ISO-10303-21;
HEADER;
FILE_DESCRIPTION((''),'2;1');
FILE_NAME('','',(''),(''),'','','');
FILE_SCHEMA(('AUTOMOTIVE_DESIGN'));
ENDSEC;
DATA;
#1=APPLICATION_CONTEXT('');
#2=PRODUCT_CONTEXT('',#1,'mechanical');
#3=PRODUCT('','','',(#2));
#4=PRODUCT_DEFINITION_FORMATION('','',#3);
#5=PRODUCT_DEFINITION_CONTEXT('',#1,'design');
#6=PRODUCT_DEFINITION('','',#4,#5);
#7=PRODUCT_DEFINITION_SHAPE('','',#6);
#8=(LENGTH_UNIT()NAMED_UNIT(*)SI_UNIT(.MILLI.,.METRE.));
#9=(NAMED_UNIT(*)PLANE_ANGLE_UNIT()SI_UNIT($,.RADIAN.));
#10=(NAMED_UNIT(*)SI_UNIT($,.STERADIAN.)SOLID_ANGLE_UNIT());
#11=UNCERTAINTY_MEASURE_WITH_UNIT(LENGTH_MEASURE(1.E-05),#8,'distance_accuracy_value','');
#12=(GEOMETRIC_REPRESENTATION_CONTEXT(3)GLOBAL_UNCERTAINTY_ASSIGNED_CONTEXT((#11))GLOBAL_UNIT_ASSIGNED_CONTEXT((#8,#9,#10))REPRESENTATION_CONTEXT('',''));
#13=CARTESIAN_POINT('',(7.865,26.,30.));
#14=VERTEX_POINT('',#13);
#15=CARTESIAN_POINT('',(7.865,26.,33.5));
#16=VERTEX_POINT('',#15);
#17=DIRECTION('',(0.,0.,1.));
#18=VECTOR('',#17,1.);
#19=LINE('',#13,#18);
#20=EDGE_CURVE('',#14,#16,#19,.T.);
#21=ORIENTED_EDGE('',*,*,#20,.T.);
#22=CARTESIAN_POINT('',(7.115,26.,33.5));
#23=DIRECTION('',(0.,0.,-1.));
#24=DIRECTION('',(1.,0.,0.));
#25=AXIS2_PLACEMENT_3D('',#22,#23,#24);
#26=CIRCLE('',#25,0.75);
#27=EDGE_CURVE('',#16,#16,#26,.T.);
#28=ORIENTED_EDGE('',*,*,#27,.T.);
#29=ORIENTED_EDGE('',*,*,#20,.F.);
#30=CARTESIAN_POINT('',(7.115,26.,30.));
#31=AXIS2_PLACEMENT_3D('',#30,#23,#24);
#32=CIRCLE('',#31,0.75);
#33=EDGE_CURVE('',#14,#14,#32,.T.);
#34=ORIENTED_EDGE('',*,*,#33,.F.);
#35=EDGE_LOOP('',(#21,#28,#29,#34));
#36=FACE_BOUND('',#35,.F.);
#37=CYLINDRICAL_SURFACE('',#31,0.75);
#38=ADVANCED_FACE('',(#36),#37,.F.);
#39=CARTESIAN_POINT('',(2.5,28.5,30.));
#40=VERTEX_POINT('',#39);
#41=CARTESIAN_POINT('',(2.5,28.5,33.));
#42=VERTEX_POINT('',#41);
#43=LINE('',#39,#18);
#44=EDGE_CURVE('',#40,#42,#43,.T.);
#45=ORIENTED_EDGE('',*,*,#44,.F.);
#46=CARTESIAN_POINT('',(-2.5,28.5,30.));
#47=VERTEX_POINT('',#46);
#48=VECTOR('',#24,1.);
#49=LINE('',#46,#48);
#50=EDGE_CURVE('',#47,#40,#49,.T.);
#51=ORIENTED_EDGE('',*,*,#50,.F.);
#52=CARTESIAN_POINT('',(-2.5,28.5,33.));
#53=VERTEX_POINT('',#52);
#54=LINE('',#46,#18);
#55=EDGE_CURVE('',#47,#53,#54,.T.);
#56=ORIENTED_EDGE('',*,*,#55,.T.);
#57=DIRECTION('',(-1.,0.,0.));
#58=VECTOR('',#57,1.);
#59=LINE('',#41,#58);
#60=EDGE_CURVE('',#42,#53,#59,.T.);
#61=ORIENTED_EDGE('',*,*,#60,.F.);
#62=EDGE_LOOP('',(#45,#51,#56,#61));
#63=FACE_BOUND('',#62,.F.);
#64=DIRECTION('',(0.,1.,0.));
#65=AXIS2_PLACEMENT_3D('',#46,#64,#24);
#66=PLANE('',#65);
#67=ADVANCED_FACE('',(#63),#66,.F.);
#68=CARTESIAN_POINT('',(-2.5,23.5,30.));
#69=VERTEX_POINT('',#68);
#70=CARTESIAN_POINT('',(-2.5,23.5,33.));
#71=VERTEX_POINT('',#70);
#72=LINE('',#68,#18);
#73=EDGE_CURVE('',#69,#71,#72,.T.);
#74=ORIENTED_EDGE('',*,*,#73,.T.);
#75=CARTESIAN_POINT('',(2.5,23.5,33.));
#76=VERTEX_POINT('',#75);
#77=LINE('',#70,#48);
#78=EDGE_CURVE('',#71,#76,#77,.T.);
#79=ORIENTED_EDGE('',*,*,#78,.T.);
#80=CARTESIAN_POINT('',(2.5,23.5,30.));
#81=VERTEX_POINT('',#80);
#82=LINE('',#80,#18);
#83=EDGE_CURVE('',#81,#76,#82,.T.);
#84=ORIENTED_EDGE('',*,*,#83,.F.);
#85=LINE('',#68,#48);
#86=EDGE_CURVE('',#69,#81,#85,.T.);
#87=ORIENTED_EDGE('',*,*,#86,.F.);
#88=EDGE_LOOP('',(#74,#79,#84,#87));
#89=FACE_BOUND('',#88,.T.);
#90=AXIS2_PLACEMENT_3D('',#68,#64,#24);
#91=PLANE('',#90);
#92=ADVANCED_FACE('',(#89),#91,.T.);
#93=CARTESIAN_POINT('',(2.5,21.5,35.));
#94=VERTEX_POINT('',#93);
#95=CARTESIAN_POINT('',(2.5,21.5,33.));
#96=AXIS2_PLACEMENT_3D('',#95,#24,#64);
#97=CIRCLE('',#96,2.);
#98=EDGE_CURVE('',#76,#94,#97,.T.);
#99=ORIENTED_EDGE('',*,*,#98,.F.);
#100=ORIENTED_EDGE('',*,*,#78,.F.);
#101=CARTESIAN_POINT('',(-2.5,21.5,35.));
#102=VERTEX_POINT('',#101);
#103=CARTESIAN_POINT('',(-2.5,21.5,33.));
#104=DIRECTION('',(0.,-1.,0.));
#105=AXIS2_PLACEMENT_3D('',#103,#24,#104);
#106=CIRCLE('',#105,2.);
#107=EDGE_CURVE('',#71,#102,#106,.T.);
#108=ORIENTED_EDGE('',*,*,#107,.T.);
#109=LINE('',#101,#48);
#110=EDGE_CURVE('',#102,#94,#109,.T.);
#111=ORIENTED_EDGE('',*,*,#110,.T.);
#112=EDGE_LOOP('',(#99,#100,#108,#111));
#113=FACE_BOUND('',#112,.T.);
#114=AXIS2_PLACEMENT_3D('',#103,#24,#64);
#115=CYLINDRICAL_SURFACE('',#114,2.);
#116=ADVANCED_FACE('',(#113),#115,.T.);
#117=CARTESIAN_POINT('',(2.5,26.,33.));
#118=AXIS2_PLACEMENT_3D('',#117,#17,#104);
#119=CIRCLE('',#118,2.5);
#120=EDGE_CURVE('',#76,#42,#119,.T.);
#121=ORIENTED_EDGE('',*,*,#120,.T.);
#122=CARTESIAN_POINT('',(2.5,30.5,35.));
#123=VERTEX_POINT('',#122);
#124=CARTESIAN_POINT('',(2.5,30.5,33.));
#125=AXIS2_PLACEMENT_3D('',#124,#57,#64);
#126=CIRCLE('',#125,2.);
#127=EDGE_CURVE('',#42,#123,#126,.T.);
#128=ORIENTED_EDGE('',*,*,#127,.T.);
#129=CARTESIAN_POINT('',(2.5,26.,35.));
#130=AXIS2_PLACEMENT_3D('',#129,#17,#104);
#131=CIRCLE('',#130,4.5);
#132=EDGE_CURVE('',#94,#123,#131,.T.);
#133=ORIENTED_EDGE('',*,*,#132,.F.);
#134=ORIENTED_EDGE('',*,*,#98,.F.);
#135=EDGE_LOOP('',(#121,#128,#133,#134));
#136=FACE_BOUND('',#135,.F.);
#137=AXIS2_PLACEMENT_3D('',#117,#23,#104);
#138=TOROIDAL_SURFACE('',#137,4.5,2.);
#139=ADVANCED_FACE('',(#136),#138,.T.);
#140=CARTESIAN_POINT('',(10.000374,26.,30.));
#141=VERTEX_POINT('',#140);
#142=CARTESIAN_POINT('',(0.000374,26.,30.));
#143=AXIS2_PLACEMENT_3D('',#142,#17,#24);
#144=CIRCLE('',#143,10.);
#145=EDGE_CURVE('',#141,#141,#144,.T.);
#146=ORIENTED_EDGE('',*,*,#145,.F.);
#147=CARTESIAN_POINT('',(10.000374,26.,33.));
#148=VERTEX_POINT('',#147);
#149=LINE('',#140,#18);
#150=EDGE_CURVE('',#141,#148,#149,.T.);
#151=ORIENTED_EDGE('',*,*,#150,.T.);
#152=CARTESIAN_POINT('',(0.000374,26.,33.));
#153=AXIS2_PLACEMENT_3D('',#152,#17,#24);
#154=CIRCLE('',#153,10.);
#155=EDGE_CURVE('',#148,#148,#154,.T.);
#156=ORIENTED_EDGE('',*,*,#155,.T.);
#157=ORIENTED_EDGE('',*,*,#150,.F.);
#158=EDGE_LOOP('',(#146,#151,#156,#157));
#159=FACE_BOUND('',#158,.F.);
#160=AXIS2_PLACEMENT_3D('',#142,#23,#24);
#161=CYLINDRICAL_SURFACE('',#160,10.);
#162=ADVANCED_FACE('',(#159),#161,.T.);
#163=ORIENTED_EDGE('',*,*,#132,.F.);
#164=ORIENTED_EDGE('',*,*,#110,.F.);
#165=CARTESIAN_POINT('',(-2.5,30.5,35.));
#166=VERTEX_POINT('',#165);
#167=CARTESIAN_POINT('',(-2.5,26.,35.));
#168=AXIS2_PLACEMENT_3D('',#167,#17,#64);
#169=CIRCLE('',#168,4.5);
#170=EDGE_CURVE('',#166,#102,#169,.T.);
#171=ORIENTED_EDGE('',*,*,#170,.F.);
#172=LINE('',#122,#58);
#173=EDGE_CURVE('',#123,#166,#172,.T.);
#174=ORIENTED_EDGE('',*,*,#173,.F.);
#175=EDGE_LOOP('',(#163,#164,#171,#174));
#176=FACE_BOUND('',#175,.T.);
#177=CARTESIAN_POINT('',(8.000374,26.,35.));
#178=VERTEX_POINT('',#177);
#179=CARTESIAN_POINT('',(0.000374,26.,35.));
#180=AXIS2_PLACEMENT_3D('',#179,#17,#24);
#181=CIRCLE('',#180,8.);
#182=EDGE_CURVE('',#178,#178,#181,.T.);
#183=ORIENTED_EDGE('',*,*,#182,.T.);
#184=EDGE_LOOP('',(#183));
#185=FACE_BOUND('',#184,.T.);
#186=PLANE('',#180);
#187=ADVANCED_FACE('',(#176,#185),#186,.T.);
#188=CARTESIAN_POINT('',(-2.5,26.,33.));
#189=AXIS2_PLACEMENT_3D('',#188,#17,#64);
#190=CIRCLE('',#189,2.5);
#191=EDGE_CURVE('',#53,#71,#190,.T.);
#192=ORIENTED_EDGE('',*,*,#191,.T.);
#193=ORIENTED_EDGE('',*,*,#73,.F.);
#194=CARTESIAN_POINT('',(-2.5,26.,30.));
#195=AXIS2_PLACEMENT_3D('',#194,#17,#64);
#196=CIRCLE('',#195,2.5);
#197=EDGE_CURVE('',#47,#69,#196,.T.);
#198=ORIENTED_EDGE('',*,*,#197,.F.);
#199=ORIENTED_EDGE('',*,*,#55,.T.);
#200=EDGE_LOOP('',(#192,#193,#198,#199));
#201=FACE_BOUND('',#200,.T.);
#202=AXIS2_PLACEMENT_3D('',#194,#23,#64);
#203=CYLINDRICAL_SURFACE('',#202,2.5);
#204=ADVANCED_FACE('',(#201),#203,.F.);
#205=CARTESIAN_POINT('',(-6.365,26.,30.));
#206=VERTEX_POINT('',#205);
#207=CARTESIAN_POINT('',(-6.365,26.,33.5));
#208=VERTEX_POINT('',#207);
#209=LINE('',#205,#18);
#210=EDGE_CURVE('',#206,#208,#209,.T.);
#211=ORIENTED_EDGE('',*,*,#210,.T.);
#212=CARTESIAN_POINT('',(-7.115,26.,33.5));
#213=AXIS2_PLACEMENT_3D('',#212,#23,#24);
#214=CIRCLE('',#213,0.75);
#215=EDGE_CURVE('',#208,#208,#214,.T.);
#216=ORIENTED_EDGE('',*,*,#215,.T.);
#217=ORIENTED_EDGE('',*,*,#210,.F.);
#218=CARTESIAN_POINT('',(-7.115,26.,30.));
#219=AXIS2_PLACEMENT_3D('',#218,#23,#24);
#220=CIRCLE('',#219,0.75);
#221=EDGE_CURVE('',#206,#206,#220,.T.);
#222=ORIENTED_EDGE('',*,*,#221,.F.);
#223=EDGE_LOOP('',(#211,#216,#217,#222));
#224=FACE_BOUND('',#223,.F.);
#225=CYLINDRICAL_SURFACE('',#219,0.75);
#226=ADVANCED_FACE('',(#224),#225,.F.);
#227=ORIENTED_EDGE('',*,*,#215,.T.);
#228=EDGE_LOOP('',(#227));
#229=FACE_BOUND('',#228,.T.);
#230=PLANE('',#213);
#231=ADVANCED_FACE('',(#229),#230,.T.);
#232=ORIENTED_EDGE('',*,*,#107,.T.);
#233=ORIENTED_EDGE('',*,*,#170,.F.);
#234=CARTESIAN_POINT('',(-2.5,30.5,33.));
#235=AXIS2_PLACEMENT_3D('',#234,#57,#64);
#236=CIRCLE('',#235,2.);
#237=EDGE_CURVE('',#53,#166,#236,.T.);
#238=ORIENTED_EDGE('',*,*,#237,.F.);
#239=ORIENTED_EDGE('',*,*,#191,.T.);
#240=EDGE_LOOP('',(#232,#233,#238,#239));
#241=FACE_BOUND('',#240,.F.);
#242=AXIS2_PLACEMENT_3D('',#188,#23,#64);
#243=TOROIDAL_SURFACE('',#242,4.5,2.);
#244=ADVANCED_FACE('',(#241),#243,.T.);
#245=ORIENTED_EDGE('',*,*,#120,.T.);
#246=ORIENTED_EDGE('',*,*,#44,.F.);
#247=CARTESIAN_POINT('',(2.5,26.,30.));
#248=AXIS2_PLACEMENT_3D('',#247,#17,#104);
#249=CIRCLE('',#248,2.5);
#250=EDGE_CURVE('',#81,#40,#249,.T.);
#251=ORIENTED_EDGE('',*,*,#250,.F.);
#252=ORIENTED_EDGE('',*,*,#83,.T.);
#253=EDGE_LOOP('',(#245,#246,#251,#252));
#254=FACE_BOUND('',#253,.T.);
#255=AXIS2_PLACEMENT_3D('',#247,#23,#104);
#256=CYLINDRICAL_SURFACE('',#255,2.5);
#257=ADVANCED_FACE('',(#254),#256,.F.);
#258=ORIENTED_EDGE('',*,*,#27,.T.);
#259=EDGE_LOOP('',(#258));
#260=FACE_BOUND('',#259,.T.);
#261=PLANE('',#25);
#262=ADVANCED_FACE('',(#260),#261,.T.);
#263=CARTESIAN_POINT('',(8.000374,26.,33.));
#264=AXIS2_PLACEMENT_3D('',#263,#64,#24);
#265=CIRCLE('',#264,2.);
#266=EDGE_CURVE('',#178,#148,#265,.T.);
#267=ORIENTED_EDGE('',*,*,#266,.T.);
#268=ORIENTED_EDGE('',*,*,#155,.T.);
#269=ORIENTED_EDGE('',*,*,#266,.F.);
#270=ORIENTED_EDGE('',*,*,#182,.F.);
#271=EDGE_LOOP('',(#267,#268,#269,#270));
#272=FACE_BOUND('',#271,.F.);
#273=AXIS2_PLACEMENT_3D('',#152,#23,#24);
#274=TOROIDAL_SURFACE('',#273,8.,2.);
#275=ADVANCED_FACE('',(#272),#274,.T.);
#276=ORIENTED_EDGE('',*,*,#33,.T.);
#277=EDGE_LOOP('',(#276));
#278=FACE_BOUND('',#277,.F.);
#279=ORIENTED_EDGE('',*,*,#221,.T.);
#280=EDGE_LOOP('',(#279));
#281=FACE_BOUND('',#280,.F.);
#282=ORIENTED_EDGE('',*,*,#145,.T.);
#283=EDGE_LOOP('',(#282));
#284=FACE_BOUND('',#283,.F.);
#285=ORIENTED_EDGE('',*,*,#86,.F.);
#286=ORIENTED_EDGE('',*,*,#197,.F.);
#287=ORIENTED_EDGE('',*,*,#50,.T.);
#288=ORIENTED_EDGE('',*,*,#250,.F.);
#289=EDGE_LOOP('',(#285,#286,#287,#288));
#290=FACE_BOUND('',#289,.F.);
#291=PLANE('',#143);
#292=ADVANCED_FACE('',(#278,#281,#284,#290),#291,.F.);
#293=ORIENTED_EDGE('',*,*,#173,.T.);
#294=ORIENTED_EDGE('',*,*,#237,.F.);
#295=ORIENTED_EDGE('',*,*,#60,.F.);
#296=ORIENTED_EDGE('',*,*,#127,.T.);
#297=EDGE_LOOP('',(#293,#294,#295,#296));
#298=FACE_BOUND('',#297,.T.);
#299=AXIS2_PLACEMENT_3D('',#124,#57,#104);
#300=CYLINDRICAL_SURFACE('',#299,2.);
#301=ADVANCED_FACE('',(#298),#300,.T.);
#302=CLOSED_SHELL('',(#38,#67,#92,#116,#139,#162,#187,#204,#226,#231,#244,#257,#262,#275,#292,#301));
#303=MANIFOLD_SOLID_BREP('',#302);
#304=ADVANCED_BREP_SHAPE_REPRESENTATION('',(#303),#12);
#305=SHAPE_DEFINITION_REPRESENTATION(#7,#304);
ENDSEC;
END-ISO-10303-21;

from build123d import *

# Parameters (mm, degrees)
SKETCH011_R     = 10
PAD005_DEPTH    = 5
FILLET_R        = 2
FILLET001_R     = 2
SKETCH012_R     = 0.75
POCKET006_DEPTH = 3.5


with BuildPart() as part:
    # Sketch011 (on Face1 of CopyPocket005) → Pad005 (new body)
    with BuildSketch(Plane.XY.offset(30)):
        with Locations((0.000374, 26)):
            Circle(SKETCH011_R)
        with BuildLine():
            ThreePointArc((-2.5, 28.5), (-5, 26), (-2.5, 23.5))
            Line((-2.5, 23.5), (2.5, 23.5))
            ThreePointArc((2.5, 23.5), (5, 26), (2.5, 28.5))
            Line((-2.5, 28.5), (2.5, 28.5))
        make_face(mode=Mode.SUBTRACT)
    extrude(amount=PAD005_DEPTH)

    # Fillet
    fillet_edges = [part.edges().sort_by_distance(p)[0] for p in [
        (-5, 26, 35),
    ]]
    fillet(fillet_edges, radius=FILLET_R)

    # Fillet001
    fillet001_edges = [part.edges().sort_by_distance(p)[0] for p in [
        (-9.999626, 26, 35),
    ]]
    fillet(fillet001_edges, radius=FILLET001_R)

    # Sketch012 (on Face12 of Fillet001) → Pocket006 (cut)
    with BuildSketch(Plane(origin=(0, 0, 30), x_dir=(1, 0, 0), z_dir=(0, 0, -1))):
        with Locations((-7.115, -26)):
            Circle(SKETCH012_R)
        with Locations((7.115, -26)):
            Circle(SKETCH012_R)
    extrude(amount=-POCKET006_DEPTH, mode=Mode.SUBTRACT)


solid = part.part
